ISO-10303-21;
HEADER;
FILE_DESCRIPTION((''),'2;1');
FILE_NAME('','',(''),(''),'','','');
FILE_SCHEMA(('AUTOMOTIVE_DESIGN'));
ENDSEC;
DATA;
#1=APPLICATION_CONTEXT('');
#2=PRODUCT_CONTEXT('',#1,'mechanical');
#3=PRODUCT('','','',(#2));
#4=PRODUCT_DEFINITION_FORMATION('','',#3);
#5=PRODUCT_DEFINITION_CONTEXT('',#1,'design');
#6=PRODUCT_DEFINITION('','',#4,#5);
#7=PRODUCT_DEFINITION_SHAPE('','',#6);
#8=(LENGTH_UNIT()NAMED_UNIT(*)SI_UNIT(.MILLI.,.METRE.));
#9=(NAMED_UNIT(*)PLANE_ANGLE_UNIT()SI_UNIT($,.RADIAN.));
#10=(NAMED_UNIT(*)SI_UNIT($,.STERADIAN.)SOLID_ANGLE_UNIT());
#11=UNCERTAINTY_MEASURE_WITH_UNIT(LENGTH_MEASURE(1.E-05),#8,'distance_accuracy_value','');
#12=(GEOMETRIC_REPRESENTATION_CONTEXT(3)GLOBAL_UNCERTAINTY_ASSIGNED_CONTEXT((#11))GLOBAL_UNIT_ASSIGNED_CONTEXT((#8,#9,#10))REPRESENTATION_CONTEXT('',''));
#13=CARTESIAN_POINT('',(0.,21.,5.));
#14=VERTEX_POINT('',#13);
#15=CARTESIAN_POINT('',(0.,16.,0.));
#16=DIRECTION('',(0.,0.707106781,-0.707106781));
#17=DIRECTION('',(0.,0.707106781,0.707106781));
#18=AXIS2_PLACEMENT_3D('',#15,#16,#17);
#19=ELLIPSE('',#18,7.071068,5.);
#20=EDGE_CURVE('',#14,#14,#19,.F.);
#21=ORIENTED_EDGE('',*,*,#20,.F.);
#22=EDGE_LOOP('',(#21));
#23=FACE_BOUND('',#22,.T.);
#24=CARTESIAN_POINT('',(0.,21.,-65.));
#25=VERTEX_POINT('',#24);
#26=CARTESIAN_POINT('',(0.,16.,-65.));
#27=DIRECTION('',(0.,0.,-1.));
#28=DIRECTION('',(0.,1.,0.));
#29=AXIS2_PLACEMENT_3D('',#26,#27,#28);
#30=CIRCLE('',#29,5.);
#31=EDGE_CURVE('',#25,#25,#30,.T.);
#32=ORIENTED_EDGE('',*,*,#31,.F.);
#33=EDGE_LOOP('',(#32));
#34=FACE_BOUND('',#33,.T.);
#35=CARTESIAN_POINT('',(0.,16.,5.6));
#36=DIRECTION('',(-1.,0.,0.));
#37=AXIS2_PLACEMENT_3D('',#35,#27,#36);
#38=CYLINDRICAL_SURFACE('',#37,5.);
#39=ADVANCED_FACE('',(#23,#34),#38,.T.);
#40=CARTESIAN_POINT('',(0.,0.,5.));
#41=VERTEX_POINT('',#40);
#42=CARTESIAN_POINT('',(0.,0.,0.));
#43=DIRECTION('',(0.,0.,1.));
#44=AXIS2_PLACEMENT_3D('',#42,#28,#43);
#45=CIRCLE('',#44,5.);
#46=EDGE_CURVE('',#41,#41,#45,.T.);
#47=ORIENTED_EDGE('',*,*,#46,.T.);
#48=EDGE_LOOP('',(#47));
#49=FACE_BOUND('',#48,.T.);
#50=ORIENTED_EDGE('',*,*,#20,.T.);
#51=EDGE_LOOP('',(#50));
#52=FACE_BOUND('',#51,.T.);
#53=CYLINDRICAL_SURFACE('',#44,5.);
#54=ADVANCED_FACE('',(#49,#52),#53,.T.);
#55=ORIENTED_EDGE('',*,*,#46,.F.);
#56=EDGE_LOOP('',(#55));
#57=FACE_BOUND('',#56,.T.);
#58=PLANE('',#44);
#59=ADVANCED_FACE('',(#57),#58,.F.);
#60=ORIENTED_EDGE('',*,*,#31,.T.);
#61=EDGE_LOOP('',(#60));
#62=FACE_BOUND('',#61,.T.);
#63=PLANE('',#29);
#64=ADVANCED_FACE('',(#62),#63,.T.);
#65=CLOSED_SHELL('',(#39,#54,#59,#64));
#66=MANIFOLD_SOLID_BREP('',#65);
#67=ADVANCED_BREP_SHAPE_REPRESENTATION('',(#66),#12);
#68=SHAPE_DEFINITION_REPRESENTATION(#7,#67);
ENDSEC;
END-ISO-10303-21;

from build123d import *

# Parameters (mm, degrees)
SKETCH1_R = 5


with BuildPart() as part:
    # Sweep1: sweep along a path in Sketch2
    with BuildLine(Plane(origin=(0, 0, 0), x_dir=(0, 0, -1), z_dir=(1, 0, 0))) as sweep1_path:
        Line((0, 0), (0, 16))
        Line((0, 16), (65, 16))
    # Sketch1 → Sweep1 (sweep)
    with BuildSketch(Plane(origin=(0, 0, 0), x_dir=(1, 0, 0), z_dir=(0, 1, 0))):
        Circle(SKETCH1_R)
    sweep(path=sweep1_path.line, transition=Transition.RIGHT)


solid = part.part
